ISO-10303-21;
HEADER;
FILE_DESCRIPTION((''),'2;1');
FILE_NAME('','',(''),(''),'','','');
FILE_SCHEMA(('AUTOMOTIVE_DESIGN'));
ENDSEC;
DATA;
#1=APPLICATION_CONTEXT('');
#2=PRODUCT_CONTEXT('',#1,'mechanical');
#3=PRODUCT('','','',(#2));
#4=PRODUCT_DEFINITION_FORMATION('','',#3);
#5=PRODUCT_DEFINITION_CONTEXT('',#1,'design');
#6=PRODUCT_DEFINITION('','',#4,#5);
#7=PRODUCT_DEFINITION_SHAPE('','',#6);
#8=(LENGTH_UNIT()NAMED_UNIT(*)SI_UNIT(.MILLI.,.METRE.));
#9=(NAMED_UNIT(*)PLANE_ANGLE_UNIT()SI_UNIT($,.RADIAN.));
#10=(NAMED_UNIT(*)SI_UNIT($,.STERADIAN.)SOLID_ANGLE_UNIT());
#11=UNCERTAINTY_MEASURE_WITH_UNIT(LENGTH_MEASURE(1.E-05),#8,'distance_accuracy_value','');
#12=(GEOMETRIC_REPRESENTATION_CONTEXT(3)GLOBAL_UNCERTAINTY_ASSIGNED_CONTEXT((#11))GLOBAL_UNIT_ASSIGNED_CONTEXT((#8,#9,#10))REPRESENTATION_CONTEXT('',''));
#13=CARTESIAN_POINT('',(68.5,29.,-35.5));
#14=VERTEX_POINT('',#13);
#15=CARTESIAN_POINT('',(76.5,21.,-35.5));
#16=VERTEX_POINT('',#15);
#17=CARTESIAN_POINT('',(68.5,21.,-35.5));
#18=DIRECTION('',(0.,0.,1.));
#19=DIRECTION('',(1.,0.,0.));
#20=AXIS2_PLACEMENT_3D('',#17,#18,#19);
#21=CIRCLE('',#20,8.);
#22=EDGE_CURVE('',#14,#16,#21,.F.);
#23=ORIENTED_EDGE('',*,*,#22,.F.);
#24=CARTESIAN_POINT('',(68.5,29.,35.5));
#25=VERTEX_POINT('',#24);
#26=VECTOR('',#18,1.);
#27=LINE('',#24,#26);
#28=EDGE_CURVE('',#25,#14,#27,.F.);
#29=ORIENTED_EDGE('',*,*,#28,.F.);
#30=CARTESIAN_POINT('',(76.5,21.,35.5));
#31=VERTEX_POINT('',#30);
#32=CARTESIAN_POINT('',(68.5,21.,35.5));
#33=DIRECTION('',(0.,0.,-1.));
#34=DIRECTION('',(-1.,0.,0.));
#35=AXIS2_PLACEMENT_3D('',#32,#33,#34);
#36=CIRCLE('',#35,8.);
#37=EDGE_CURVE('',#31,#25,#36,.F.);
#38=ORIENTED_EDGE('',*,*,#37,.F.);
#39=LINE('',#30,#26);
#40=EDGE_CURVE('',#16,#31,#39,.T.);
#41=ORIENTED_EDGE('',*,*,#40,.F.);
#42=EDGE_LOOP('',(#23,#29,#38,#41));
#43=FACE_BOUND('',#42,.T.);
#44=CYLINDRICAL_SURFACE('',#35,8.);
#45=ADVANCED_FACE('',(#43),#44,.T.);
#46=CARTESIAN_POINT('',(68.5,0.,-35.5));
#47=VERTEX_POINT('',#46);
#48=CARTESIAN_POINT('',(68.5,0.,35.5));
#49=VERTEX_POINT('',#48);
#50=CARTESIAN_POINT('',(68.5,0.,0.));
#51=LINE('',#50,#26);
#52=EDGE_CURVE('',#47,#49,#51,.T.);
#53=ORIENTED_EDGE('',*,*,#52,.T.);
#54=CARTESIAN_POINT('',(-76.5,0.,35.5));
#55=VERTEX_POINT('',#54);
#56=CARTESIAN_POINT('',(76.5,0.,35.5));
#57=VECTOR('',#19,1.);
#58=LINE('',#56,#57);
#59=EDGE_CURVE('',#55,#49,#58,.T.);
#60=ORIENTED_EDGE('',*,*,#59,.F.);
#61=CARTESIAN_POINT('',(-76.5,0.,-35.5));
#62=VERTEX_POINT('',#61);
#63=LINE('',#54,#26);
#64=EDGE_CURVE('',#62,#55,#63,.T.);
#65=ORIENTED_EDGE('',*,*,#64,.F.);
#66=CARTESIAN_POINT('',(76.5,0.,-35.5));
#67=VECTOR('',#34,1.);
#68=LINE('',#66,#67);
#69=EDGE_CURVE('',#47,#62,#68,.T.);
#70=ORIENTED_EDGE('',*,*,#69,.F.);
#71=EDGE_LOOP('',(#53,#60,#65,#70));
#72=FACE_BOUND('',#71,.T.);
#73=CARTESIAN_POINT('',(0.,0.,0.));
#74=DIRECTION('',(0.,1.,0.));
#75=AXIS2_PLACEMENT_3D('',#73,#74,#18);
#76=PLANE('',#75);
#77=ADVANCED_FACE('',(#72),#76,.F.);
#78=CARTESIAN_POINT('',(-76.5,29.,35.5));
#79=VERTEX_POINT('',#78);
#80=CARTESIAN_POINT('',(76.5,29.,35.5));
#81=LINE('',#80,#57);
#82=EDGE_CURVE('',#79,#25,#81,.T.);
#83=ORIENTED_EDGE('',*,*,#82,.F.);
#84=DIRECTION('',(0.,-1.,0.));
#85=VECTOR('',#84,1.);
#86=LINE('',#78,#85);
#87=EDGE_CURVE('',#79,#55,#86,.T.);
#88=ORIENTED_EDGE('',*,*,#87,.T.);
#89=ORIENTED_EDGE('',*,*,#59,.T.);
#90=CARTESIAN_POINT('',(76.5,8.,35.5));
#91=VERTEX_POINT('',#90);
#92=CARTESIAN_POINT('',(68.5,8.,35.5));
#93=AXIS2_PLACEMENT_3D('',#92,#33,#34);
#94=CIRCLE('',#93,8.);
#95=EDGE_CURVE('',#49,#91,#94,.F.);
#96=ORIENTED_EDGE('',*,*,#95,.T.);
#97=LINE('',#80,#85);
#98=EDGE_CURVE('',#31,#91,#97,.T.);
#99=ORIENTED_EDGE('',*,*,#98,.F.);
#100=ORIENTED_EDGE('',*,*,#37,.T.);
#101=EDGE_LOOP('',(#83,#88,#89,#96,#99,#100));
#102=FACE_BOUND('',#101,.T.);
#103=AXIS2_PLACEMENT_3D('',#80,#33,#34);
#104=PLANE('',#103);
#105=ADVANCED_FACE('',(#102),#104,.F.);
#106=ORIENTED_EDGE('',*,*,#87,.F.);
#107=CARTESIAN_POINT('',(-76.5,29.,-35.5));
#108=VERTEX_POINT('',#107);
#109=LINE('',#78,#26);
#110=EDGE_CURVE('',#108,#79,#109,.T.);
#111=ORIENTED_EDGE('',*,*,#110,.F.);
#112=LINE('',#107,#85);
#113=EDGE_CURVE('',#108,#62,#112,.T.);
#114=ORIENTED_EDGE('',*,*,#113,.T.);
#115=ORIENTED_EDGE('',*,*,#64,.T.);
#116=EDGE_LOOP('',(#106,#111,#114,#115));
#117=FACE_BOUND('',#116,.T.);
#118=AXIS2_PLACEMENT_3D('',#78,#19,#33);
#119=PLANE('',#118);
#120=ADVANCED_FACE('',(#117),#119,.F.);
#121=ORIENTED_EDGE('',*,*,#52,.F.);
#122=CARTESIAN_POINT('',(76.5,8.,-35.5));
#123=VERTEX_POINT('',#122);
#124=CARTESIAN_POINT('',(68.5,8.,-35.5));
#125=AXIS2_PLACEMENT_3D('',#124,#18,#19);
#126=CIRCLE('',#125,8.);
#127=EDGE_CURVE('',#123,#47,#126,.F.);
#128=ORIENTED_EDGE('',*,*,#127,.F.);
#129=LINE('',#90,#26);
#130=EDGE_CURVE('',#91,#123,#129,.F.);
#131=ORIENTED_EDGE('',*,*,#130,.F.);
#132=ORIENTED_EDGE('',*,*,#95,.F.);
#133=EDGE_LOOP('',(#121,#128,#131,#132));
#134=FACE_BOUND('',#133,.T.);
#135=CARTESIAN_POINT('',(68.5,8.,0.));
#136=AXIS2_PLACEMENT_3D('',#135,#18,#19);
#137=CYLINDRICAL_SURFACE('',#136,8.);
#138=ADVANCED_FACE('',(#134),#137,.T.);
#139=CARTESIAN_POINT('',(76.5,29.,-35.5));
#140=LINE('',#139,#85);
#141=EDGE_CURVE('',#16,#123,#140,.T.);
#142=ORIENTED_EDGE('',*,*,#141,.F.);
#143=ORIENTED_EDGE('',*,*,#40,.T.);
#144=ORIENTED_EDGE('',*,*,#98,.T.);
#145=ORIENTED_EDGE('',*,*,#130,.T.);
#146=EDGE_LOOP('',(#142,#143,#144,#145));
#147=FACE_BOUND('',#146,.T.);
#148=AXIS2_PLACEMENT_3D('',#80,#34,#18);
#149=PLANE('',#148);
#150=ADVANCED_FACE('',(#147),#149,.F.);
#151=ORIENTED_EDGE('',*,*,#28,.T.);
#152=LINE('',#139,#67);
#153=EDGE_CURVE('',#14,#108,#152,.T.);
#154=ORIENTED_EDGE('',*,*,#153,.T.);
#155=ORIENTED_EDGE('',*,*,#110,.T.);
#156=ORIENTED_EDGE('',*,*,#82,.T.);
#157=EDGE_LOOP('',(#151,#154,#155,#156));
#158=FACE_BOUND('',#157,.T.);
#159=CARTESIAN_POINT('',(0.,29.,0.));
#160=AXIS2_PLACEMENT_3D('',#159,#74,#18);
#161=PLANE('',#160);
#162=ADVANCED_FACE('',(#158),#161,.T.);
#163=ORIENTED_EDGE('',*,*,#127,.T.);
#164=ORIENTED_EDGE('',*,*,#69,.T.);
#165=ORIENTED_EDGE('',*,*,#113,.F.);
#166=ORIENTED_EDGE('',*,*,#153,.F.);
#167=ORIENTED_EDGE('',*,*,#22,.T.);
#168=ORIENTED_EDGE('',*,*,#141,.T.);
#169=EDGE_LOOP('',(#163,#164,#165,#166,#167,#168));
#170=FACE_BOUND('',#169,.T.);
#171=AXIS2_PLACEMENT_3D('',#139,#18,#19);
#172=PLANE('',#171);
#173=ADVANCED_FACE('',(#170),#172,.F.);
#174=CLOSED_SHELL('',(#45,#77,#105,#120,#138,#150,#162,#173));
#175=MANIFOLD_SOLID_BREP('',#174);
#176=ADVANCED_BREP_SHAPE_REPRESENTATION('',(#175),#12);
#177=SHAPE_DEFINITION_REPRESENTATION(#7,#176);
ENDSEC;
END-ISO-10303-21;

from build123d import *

# Parameters (mm, degrees)
SKETCH_1_W      = 153
SKETCH_1_H      = 71
EXTRUDE_1_DEPTH = 29
FILLET_1_R      = 8
FILLET_2_R      = 8


with BuildPart() as part:
    # 草图1 → 凸台-拉伸1 (new body)
    with BuildSketch(Plane(origin=(0, 0, 0), x_dir=(1, 0, 0), z_dir=(0, 1, 0))):
        Rectangle(SKETCH_1_W, SKETCH_1_H)
    extrude(amount=EXTRUDE_1_DEPTH)

    # 圆角1
    fillet_1_edges = [part.edges().sort_by_distance(p)[0] for p in [
        (76.5, 29, 0),
    ]]
    fillet(fillet_1_edges, radius=FILLET_1_R)

    # 圆角2
    fillet_2_edges = [part.edges().sort_by_distance(p)[0] for p in [
        (76.5, 0, 0),
    ]]
    fillet(fillet_2_edges, radius=FILLET_2_R)


solid = part.part
